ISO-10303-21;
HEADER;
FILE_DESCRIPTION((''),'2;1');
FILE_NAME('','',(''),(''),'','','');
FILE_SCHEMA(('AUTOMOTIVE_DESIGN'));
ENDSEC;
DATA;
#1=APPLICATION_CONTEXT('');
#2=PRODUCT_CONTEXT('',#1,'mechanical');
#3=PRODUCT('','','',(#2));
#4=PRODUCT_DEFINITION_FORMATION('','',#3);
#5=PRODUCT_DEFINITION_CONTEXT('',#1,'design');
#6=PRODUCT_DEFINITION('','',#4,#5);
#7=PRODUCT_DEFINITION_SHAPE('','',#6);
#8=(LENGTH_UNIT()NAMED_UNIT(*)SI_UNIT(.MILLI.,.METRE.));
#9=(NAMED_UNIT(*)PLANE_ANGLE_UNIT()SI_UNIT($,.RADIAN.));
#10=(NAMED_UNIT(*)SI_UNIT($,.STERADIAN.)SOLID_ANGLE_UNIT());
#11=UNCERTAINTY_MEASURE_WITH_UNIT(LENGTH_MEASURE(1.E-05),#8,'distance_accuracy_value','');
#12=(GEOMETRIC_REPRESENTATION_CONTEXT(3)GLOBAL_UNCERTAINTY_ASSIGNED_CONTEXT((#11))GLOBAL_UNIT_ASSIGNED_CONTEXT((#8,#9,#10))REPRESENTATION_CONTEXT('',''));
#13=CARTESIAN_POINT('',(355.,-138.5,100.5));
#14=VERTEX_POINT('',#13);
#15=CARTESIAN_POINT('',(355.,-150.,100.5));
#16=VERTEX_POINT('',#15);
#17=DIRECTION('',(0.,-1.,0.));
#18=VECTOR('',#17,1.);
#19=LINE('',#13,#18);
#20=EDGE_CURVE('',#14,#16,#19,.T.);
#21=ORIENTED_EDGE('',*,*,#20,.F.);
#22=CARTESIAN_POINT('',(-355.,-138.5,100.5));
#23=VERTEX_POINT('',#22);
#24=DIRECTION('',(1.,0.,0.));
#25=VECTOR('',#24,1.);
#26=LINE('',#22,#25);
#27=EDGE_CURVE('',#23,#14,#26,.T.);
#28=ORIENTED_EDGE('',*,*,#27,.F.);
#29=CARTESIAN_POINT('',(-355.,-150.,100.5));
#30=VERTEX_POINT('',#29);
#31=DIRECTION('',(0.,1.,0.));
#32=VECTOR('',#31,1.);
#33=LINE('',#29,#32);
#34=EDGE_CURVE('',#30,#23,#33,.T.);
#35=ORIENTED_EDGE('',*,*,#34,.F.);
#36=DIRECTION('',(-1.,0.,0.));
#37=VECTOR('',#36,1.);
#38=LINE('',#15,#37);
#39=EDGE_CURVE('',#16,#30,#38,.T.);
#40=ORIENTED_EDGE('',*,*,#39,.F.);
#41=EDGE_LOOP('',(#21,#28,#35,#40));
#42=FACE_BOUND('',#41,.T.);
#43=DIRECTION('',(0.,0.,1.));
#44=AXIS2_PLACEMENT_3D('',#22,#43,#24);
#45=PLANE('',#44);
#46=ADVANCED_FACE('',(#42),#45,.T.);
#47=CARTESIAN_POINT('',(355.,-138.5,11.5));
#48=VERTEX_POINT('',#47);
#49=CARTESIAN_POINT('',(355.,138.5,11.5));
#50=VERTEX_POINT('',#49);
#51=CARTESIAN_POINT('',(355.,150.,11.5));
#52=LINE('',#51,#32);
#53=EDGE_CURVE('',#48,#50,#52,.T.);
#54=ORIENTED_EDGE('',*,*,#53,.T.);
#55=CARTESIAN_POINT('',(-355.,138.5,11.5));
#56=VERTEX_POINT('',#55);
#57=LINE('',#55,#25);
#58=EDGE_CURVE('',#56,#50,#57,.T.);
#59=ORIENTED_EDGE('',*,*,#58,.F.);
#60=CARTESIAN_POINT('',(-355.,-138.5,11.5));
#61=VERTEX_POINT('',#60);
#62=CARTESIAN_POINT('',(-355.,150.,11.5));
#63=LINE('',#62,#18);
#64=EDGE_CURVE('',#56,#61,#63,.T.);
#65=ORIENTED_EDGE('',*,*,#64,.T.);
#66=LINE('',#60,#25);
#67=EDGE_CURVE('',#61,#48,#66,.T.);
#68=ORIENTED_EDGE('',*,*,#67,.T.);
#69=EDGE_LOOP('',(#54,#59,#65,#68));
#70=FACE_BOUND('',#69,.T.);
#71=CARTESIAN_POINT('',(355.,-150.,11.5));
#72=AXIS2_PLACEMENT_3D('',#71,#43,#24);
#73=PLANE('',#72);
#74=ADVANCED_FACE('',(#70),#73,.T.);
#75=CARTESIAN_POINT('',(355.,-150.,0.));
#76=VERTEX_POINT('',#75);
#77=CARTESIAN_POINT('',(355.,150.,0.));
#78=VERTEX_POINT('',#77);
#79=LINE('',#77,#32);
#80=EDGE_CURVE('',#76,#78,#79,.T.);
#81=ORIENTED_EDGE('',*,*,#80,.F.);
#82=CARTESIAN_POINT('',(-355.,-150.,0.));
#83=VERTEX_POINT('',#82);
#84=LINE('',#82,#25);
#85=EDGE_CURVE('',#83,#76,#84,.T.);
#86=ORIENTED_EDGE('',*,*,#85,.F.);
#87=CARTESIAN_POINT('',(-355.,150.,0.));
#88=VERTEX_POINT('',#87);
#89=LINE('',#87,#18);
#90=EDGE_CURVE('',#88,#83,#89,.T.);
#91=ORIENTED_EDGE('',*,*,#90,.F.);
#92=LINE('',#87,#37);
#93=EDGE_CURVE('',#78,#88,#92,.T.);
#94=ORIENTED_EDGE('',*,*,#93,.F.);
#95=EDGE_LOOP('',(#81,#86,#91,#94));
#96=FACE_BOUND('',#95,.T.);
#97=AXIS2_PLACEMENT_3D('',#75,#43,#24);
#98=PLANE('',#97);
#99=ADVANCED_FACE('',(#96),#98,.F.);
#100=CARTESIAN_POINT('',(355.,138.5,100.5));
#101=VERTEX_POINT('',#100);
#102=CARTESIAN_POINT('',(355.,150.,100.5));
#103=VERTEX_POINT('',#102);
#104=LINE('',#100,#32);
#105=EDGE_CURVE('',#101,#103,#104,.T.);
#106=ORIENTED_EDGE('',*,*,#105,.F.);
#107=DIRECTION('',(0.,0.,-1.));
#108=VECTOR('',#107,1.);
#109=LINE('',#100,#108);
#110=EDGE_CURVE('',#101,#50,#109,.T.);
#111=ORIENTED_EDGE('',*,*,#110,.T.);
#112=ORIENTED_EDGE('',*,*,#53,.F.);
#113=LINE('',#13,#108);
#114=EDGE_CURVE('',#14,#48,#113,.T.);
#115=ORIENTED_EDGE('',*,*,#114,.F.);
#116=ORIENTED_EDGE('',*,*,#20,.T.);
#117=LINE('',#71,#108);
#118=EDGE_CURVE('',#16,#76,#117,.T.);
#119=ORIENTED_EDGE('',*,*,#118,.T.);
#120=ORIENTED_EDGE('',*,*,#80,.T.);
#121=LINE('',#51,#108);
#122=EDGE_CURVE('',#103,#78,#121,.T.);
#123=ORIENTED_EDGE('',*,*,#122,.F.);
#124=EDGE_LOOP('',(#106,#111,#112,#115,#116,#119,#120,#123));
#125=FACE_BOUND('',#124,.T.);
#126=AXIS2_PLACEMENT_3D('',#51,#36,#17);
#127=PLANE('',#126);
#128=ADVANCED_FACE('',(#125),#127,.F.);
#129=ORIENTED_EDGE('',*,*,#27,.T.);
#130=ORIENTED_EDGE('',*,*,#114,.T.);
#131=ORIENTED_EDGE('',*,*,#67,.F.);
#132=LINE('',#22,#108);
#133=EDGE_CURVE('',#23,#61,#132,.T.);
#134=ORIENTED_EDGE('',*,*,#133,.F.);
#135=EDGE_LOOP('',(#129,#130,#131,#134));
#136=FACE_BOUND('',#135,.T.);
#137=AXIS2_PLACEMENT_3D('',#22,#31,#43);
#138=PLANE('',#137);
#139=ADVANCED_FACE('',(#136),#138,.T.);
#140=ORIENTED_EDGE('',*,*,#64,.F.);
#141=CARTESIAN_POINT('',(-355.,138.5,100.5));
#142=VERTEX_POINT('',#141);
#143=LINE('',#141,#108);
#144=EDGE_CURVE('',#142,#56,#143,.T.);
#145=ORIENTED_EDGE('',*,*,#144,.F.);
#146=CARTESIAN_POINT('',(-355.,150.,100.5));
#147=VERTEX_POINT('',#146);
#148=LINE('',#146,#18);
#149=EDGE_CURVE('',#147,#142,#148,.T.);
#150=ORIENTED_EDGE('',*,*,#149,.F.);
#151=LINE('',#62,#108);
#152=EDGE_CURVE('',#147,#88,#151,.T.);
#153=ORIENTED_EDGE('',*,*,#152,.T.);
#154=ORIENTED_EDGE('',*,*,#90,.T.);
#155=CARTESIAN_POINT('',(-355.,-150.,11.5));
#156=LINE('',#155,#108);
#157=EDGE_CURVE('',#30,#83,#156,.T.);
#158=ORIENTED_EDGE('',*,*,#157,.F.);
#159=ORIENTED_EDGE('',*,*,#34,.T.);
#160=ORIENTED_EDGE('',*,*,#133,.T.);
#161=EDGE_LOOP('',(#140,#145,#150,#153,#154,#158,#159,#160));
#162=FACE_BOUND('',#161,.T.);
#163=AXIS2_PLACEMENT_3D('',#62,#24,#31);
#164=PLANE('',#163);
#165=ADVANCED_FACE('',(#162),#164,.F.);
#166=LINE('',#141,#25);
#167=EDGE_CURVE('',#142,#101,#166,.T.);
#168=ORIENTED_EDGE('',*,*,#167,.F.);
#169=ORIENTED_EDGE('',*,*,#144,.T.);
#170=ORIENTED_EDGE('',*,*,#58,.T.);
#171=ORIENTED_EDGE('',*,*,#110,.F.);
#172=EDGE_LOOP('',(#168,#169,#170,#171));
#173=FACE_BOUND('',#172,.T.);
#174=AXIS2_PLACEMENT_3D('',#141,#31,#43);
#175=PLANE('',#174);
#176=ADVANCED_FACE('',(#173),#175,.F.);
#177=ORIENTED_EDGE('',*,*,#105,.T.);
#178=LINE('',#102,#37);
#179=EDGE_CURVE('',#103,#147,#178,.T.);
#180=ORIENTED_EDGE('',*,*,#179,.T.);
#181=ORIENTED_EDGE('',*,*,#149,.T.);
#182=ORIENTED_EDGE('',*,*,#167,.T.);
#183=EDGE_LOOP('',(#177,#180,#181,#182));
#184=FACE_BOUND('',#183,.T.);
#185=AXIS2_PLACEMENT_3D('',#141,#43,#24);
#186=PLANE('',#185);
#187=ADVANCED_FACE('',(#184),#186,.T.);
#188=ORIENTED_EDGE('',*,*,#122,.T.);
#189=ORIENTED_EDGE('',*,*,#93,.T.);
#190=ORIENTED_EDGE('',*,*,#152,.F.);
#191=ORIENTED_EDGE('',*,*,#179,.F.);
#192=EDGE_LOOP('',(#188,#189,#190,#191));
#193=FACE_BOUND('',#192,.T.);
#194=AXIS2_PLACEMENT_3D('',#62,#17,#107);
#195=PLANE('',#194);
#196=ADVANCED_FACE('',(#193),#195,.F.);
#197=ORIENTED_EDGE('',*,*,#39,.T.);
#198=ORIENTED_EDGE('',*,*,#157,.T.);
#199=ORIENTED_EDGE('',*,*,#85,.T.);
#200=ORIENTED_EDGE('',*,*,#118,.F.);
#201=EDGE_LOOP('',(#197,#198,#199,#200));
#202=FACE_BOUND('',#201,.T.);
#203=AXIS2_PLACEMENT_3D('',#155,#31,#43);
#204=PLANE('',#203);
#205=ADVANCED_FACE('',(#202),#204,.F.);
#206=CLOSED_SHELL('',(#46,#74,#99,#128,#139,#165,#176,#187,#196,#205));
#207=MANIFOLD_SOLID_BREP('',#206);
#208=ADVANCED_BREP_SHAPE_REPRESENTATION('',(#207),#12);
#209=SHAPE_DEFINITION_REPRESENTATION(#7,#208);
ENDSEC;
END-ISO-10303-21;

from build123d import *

# Parameters (mm, degrees)
SKETCH_1_W      = 710
SKETCH_1_H      = 300
EXTRUDE_1_DEPTH = 11.5
SKETCH_3_W      = 710
SKETCH_3_H      = 11.5
EXTRUDE_2_DEPTH = 89


with BuildPart() as part:
    # 草图1 → 凸台-拉伸1 (new body)
    with BuildSketch(Plane.XY):
        Rectangle(SKETCH_1_W, SKETCH_1_H)
    extrude(amount=EXTRUDE_1_DEPTH)

    # 草图3 → 凸台-拉伸2 (add)
    with BuildSketch(Plane.XY.offset(11.5)):
        with Locations((0, 144.25)):
            Rectangle(SKETCH_3_W, SKETCH_3_H)
    extrude_2 = extrude(amount=EXTRUDE_2_DEPTH)

    # 镜向1: 凸台-拉伸2 across plane
    add(extrude_2.mirror(Plane.ZX))


solid = part.part
